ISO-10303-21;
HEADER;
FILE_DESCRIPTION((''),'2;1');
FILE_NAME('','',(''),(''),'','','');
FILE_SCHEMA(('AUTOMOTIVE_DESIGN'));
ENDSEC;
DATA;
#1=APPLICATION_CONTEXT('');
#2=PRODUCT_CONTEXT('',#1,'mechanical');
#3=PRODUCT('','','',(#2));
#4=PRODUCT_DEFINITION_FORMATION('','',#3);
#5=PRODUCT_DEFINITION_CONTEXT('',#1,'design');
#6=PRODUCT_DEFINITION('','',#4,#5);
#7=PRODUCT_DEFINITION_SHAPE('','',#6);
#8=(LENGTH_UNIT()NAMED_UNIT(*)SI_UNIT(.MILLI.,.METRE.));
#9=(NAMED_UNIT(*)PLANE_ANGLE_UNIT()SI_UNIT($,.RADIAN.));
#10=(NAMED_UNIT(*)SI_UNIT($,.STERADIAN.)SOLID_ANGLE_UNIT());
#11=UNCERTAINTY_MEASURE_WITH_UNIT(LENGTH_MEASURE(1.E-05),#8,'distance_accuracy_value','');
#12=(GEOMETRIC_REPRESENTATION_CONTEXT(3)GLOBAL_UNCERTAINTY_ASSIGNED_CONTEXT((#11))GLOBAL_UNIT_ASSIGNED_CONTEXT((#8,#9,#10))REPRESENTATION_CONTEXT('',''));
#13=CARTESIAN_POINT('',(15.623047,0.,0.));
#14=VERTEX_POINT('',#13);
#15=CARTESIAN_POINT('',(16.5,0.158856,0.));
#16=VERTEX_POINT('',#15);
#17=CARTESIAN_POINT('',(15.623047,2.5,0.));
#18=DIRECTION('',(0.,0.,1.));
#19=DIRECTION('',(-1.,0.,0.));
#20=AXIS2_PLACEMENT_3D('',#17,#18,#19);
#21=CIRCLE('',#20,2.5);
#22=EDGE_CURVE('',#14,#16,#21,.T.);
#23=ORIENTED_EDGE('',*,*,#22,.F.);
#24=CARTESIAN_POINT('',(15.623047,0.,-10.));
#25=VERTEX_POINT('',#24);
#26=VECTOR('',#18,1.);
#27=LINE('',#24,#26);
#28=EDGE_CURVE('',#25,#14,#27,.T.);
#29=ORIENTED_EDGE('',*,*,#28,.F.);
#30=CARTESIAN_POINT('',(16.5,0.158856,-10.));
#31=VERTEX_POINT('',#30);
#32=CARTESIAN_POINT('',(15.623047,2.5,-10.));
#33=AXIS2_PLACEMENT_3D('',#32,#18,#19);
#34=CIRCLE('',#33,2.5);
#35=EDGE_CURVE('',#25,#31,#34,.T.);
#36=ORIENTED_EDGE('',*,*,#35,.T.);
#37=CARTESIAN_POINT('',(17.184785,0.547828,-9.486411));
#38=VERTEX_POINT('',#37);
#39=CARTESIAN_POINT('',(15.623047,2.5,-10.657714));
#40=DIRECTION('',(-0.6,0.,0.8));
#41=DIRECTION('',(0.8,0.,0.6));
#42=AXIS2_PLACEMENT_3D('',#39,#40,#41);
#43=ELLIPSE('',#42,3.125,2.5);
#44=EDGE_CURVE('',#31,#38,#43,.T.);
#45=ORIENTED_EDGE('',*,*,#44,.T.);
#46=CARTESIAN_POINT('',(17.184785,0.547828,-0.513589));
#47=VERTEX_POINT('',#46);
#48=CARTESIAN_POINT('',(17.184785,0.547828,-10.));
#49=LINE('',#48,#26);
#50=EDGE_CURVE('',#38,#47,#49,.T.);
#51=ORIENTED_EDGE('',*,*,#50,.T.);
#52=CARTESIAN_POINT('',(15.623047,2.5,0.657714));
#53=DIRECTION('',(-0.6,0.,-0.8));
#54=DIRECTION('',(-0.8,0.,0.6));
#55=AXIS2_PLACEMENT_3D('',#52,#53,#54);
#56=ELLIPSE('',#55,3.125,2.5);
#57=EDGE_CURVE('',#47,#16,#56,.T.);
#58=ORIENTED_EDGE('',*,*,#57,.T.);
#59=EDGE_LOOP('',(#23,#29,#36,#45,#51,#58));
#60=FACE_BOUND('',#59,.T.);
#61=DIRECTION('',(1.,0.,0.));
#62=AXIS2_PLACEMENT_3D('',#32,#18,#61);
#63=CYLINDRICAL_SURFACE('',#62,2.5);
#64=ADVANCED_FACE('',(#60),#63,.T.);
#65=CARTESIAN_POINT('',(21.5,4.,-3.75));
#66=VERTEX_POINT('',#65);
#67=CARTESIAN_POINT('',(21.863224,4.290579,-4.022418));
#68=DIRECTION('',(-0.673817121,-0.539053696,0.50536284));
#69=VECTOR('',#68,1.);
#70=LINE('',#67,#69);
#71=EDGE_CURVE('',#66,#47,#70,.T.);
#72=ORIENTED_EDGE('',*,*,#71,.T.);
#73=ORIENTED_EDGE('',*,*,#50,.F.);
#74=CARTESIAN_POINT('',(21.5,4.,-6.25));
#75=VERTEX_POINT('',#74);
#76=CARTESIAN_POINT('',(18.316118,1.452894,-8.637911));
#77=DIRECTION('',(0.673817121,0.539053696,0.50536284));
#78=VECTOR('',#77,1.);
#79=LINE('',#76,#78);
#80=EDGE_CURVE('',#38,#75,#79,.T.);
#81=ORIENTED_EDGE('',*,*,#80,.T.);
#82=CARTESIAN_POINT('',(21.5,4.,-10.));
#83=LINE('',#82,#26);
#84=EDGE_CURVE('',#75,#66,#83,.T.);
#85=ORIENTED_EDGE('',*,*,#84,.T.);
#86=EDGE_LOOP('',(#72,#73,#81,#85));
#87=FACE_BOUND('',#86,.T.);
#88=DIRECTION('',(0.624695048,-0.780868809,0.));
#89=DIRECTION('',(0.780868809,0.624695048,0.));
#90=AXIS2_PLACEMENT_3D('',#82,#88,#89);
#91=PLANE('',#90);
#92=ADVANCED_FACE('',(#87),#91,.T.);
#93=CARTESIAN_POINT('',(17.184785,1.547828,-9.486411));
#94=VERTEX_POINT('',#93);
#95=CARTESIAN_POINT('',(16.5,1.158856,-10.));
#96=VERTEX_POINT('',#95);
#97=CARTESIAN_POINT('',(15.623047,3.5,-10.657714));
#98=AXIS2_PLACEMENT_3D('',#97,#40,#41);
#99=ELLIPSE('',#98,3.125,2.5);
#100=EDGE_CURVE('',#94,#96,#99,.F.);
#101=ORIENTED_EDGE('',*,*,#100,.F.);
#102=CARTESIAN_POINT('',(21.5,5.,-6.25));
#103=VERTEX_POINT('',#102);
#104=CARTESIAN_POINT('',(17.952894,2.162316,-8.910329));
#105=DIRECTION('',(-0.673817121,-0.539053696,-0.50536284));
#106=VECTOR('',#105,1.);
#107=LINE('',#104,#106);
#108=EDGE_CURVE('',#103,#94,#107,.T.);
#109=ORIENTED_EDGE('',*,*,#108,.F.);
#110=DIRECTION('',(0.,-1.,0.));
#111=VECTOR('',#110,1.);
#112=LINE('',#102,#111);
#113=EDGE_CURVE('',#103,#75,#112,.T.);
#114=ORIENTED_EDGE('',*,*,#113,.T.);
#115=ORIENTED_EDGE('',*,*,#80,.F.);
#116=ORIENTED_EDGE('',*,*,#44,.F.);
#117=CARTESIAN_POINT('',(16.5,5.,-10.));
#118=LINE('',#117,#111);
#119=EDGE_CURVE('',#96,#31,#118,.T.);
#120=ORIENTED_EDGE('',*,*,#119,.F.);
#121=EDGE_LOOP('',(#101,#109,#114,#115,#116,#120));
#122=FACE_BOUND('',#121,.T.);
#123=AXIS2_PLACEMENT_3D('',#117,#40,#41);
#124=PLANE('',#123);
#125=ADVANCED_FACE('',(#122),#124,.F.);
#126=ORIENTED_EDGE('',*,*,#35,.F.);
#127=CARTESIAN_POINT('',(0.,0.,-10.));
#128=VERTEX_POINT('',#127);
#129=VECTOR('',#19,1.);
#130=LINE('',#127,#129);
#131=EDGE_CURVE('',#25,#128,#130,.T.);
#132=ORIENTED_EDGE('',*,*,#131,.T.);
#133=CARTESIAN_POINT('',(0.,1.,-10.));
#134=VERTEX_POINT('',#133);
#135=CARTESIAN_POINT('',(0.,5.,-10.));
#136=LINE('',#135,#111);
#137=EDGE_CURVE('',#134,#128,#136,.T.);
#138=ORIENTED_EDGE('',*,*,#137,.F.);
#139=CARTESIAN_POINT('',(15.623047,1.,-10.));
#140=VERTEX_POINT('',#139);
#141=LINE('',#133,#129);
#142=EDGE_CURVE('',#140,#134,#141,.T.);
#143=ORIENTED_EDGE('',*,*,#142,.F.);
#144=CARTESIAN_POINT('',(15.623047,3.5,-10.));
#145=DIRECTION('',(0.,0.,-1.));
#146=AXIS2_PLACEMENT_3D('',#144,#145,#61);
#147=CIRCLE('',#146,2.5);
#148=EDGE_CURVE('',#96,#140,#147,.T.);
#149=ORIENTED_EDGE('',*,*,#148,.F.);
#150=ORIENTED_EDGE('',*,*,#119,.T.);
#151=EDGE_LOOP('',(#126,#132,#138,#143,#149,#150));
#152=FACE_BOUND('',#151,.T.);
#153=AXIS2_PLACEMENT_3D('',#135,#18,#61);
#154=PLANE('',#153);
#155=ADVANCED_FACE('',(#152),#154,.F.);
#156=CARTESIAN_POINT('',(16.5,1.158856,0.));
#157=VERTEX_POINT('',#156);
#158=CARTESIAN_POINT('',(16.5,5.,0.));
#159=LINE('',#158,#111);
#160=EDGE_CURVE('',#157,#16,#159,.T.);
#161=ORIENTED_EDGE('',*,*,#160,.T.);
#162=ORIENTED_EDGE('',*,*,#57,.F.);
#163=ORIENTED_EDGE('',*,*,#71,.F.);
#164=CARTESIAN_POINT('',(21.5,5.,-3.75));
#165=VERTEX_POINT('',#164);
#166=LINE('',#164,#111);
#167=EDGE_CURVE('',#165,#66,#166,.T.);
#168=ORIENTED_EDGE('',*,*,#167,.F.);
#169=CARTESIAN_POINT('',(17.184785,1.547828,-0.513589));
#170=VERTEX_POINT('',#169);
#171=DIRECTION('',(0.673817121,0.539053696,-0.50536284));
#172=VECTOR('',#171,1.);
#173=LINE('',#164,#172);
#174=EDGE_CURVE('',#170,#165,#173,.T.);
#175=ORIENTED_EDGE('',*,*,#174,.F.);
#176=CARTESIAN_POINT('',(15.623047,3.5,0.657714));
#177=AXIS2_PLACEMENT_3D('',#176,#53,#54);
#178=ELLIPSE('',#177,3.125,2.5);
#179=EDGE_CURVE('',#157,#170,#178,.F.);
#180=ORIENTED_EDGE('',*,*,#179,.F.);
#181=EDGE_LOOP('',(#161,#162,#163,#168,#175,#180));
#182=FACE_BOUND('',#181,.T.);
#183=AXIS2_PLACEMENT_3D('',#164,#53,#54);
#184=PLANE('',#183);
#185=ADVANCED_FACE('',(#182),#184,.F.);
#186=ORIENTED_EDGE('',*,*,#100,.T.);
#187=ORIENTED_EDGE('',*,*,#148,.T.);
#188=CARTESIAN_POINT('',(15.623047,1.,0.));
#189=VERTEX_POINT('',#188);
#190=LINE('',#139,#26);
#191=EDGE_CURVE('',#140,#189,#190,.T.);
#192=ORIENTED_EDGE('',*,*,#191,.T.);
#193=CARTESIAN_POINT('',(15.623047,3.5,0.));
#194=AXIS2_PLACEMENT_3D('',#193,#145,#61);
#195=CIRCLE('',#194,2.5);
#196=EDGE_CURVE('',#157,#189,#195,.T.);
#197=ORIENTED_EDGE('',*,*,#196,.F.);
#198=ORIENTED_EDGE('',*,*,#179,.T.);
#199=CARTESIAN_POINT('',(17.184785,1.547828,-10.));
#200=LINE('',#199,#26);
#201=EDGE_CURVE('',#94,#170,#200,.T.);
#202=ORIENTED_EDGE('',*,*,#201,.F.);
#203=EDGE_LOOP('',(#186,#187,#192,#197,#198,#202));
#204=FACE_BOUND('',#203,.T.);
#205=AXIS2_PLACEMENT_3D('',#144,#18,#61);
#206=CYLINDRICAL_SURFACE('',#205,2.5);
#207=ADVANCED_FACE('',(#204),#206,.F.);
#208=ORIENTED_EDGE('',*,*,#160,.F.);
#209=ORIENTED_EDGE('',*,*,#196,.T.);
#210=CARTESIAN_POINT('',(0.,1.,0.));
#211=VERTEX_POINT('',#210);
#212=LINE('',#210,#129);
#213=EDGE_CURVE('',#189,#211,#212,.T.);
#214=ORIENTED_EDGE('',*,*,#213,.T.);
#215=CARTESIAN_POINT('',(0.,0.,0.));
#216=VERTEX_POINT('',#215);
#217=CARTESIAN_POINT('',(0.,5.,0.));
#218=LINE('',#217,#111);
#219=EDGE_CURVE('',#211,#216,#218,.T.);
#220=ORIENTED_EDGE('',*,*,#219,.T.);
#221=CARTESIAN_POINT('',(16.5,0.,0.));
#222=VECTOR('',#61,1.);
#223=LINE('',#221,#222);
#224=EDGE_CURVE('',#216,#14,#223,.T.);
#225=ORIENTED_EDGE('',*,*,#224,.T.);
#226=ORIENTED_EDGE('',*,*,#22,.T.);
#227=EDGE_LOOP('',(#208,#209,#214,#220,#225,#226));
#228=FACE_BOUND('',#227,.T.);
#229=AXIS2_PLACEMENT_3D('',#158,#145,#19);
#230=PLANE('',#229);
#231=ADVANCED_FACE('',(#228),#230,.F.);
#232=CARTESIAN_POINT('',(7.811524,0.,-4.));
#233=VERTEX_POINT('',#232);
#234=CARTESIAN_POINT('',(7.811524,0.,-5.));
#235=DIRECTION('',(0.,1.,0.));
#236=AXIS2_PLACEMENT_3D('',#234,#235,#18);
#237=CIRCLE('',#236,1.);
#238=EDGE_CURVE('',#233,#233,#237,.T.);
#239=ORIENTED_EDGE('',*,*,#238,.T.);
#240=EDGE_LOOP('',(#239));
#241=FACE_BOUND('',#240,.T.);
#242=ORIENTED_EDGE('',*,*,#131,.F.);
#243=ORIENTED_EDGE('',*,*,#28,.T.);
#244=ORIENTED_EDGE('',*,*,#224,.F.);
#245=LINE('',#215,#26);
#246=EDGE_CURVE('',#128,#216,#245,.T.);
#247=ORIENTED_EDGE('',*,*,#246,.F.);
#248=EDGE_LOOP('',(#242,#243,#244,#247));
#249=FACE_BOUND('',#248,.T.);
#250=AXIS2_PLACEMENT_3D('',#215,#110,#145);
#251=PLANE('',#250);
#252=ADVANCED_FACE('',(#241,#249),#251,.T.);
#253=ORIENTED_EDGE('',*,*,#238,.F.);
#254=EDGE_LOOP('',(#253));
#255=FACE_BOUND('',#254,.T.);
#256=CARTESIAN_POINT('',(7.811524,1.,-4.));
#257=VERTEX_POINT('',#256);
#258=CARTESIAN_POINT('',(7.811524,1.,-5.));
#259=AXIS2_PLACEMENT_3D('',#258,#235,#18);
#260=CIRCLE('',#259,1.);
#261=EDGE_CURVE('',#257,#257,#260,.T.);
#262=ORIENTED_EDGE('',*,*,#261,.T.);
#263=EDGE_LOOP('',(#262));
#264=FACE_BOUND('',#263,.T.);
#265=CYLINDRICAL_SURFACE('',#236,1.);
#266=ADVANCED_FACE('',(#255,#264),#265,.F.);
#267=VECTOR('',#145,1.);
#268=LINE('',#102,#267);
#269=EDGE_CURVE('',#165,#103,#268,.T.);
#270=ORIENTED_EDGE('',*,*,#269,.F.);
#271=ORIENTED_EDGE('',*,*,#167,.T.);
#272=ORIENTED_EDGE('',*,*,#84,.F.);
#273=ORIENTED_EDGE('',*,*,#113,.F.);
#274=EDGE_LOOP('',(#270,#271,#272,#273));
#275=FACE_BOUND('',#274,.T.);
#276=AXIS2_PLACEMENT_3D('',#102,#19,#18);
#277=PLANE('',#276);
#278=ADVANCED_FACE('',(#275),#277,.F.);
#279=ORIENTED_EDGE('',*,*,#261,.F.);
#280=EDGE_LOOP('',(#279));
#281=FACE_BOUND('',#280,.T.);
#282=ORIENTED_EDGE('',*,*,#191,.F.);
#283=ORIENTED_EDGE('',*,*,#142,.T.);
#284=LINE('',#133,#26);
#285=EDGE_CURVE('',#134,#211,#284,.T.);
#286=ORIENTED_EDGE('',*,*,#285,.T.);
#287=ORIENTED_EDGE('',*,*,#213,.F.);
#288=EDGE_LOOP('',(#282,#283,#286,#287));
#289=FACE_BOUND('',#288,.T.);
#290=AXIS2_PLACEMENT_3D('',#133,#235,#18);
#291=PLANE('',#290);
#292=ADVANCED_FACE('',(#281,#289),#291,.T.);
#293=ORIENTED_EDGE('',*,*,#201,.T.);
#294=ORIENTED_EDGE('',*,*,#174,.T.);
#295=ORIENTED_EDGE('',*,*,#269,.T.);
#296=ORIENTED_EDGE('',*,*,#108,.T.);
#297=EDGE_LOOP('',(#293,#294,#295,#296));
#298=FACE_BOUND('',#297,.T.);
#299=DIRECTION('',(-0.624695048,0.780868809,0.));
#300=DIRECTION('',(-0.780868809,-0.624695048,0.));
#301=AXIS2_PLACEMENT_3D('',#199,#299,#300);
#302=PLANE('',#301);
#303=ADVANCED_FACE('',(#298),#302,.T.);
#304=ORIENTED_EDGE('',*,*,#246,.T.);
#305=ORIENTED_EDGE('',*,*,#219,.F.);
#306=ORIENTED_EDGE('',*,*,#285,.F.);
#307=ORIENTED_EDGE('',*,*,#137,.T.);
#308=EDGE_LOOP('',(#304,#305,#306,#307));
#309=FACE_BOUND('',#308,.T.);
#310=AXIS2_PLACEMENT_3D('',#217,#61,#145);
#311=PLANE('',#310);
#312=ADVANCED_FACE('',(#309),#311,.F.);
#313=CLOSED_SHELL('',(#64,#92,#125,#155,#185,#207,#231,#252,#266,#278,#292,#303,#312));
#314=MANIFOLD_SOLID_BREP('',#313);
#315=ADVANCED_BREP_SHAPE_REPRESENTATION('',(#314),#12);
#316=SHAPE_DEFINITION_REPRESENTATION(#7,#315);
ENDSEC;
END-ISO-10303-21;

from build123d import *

# Parameters (mm, degrees)
BOSS_EXTRUDE1_DEPTH = 5
SKETCH8_W           = 28.13850749
SKETCH8_H           = 12.868219889
CUT_EXTRUDE5_DEPTH  = 10
SKETCH9_R           = 1
CUT_EXTRUDE6_DEPTH  = 1


with BuildPart() as part:
    # Sketch2 → Boss-Extrude1 (new body)
    with BuildSketch(Plane(origin=(0, 0, 0), x_dir=(1, 0, 0), z_dir=(0, 1, 0))):
        Polygon((16.5, 10), (21.5, 6.25), (21.5, 3.75), (16.5, 0), (0, 0), (0, 10), align=None)
    extrude(amount=BOSS_EXTRUDE1_DEPTH)

    # Sketch8 → Cut-Extrude5 (cut)
    with BuildSketch(Plane.XY):
        with Locations((10.578423735, 2.655771349)):
            Rectangle(SKETCH8_W, SKETCH8_H)
        with BuildLine():
            Line((0, 0), (0, 1))
            Line((0, 1), (15.623047352, 1))
            ThreePointArc((15.623047352, 1), (16.450564705, 1.140929202), (17.18478497, 1.547827976))
            Line((17.18478497, 1.547827976), (21.5, 5))
            Line((21.5, 5), (21.5, 4))
            Line((21.5, 4), (17.18478497, 0.547827976))
            ThreePointArc((17.18478497, 0.547827976), (16.450564705, 0.140929202), (15.623047352, 0))
            Line((15.623047352, 0), (0, 0))
        make_face(mode=Mode.SUBTRACT)
    extrude(amount=-CUT_EXTRUDE5_DEPTH, mode=Mode.SUBTRACT)

    # Sketch9 → Cut-Extrude6 (cut)
    with BuildSketch(Plane(origin=(0, 1, 0), x_dir=(1, 0, 0), z_dir=(0, 1, 0))):
        with Locations(Location((7.811523676, 5, 0), (0, 0, 270))):
            Circle(SKETCH9_R)
    extrude(amount=-CUT_EXTRUDE6_DEPTH, mode=Mode.SUBTRACT)


solid = part.part
